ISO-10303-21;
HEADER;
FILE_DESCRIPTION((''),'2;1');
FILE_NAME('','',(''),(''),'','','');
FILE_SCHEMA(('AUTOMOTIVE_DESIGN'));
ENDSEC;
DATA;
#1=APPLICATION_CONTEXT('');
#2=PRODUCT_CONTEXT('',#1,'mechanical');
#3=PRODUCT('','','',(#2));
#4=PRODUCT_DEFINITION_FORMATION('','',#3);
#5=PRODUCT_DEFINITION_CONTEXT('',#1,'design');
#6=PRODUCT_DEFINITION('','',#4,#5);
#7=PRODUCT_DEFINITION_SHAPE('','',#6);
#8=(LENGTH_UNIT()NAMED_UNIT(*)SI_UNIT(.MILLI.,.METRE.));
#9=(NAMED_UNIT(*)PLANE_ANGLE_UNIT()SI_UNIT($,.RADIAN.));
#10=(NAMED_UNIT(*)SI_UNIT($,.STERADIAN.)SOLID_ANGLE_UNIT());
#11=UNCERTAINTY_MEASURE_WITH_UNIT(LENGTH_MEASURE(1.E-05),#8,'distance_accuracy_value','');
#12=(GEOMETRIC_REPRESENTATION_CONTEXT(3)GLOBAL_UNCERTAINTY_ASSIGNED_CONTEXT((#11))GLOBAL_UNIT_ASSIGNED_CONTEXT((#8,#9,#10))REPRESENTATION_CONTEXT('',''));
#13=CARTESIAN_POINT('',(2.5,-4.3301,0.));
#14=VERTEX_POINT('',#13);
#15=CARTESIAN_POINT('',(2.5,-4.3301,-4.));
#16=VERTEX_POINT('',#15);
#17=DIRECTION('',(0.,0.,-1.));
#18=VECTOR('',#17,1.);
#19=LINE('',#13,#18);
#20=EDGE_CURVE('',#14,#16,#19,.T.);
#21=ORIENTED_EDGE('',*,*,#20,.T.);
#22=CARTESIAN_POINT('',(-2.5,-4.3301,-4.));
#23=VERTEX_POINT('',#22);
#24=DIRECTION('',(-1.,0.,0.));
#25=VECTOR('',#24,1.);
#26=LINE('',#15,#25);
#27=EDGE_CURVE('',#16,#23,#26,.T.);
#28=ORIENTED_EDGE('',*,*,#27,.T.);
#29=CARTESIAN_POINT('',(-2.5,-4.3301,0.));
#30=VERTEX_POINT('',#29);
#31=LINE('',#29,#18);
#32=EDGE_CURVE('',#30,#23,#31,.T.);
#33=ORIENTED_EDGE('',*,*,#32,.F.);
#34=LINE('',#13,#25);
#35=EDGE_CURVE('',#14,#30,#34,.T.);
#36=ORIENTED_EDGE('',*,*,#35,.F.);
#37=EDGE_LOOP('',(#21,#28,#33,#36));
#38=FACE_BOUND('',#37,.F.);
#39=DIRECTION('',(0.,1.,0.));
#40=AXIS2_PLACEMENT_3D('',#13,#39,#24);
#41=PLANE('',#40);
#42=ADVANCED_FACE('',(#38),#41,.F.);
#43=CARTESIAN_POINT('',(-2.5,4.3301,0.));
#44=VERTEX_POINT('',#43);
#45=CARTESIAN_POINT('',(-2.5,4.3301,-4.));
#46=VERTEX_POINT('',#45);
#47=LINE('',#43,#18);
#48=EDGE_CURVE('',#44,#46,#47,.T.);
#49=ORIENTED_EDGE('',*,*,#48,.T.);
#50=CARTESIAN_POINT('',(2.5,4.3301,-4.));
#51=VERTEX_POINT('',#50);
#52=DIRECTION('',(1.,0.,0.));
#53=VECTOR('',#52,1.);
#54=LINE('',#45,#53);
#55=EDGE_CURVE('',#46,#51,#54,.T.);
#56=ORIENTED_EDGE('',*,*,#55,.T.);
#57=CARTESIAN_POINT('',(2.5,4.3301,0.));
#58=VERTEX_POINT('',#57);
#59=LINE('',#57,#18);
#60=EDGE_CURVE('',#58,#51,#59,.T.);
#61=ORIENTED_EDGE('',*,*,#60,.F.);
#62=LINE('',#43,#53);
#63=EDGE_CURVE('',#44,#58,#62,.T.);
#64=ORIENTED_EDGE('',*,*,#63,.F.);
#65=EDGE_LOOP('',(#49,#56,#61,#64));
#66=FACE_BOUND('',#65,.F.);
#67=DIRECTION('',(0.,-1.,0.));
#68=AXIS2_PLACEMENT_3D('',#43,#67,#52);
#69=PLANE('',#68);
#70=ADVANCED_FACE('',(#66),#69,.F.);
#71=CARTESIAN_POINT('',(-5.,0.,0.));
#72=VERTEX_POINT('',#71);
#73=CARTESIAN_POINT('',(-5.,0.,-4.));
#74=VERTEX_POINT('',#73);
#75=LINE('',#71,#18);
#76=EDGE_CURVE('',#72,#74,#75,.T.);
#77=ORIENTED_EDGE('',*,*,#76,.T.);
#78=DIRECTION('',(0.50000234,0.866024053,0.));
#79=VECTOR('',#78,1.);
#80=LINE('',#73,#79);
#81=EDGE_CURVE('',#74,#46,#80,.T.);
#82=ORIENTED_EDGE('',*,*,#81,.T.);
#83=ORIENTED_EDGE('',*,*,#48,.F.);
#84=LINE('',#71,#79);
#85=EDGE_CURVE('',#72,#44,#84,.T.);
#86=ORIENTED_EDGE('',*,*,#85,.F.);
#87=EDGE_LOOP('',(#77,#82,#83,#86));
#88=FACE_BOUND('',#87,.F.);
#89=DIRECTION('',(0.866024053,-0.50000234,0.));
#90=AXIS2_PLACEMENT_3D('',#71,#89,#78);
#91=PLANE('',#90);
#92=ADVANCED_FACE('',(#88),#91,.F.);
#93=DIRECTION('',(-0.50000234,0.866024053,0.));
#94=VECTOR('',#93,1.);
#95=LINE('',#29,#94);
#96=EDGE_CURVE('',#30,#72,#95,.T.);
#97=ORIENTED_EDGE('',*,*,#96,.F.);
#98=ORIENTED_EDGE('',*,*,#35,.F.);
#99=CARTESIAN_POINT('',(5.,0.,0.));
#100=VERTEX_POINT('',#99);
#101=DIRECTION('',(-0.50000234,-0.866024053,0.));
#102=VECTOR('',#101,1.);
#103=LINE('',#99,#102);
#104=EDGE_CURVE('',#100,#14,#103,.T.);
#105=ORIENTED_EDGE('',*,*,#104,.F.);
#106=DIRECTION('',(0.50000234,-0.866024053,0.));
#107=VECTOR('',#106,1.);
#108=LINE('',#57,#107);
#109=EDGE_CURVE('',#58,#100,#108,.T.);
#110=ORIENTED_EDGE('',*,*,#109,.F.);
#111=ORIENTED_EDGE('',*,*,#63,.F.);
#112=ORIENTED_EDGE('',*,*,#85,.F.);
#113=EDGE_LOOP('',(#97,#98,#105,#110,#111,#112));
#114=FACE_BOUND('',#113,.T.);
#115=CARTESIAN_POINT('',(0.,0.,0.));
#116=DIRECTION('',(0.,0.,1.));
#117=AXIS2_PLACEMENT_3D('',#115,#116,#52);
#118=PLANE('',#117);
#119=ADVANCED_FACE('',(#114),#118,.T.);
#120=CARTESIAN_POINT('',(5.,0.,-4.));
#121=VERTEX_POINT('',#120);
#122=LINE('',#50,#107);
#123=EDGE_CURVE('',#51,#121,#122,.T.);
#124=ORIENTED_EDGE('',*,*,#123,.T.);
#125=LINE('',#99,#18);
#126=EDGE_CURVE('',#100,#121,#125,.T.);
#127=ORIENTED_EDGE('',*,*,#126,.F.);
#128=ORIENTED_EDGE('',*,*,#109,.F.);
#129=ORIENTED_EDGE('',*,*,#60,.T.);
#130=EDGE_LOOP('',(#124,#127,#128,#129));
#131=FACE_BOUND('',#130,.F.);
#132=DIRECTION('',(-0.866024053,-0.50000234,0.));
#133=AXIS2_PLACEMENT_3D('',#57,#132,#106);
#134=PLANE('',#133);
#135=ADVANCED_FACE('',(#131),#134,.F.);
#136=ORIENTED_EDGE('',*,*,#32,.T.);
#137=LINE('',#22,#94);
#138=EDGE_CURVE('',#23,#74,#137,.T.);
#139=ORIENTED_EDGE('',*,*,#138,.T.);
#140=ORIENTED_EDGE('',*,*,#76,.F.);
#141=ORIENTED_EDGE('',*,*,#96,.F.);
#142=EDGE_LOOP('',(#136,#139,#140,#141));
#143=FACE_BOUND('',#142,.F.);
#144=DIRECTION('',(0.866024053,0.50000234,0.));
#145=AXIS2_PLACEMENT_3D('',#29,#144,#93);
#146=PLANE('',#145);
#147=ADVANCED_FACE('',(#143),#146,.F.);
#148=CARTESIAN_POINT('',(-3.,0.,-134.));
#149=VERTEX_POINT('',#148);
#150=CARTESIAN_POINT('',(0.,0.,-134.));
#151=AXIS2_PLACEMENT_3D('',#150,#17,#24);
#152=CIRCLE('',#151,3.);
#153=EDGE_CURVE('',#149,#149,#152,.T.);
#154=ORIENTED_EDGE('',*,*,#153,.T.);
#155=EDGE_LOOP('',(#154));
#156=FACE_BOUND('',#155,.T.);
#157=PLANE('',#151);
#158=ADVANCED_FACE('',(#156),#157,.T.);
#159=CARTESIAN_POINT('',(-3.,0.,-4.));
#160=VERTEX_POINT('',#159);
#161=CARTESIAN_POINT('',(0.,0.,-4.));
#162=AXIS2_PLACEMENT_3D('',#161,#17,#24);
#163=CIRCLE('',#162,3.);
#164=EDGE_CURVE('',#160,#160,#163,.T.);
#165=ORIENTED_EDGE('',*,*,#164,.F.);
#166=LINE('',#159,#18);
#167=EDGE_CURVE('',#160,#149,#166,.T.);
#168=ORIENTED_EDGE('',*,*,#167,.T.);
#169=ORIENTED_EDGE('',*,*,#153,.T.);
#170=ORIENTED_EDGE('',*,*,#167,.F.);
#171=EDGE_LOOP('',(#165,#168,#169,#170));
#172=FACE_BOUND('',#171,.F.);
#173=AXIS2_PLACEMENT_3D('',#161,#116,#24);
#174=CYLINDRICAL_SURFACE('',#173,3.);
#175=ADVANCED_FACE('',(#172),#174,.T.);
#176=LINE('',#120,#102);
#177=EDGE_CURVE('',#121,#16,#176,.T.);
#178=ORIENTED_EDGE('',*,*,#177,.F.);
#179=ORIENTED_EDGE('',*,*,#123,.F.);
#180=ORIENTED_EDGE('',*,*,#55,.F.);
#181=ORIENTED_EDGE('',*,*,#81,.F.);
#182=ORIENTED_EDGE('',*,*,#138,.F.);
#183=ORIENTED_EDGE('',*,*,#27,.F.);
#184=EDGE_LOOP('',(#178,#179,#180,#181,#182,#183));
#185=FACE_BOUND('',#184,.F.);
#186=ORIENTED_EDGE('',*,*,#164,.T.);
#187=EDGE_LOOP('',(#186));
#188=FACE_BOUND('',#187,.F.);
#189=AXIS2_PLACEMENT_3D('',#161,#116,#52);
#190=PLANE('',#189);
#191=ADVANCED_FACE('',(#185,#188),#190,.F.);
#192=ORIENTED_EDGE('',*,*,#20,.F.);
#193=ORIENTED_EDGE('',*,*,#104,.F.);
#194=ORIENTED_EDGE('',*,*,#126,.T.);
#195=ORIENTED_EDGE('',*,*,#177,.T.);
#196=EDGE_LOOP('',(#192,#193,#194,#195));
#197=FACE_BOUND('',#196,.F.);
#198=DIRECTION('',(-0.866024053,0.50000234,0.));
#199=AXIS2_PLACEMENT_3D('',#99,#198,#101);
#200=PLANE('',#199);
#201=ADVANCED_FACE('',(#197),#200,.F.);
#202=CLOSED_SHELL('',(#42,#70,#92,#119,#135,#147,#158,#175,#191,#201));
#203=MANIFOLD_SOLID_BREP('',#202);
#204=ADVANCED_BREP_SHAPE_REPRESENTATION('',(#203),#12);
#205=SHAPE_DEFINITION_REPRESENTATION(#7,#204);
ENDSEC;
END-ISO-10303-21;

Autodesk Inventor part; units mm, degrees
ref_plane "YZ Plane" through (0, 0, 0) normal (1, 0, 0) x (0, 1, 0)
ref_plane "XZ Plane" through (0, 0, 0) normal (0, 1, 0) x (-1, 0, 0)
ref_plane "XY Plane" through (0, 0, 0) normal (0, 0, 1) x (1, 0, 0)
sketch "Sketch1" plane through (0, 0, 0) normal (0, 0, 1) x (1, 0, 0)
  line L0 (5, 0) -> (2.5, -4.3301)
  line L1 (2.5, -4.3301) -> (-2.5, -4.3301)
  line L2 (-2.5, -4.3301) -> (-5, 0)
  line L3 (-5, 0) -> (-2.5, 4.3301)
  line L4 (-2.5, 4.3301) -> (2.5, 4.3301)
  line L5 (2.5, 4.3301) -> (5, 0)
  point P0 (0, 0)
  point P1 (0, 0)
  dimension "d0" = 5
extrude "Extrusion1" add sketch "Sketch1" against normal blind 4
sketch "Sketch2" plane through (0, 0, -4) normal (0, 0, -1) x (-1, 0, 0)
  circle A0 centre (0, 0) radius 3
  dimension "d3" = 6
extrude "Extrusion2" add sketch "Sketch2" along normal blind 130
thread "Thread1" size "M6x1" class "6g" standard "ANSI Metric M Profile" full length
properties part number "M6 Screw"
